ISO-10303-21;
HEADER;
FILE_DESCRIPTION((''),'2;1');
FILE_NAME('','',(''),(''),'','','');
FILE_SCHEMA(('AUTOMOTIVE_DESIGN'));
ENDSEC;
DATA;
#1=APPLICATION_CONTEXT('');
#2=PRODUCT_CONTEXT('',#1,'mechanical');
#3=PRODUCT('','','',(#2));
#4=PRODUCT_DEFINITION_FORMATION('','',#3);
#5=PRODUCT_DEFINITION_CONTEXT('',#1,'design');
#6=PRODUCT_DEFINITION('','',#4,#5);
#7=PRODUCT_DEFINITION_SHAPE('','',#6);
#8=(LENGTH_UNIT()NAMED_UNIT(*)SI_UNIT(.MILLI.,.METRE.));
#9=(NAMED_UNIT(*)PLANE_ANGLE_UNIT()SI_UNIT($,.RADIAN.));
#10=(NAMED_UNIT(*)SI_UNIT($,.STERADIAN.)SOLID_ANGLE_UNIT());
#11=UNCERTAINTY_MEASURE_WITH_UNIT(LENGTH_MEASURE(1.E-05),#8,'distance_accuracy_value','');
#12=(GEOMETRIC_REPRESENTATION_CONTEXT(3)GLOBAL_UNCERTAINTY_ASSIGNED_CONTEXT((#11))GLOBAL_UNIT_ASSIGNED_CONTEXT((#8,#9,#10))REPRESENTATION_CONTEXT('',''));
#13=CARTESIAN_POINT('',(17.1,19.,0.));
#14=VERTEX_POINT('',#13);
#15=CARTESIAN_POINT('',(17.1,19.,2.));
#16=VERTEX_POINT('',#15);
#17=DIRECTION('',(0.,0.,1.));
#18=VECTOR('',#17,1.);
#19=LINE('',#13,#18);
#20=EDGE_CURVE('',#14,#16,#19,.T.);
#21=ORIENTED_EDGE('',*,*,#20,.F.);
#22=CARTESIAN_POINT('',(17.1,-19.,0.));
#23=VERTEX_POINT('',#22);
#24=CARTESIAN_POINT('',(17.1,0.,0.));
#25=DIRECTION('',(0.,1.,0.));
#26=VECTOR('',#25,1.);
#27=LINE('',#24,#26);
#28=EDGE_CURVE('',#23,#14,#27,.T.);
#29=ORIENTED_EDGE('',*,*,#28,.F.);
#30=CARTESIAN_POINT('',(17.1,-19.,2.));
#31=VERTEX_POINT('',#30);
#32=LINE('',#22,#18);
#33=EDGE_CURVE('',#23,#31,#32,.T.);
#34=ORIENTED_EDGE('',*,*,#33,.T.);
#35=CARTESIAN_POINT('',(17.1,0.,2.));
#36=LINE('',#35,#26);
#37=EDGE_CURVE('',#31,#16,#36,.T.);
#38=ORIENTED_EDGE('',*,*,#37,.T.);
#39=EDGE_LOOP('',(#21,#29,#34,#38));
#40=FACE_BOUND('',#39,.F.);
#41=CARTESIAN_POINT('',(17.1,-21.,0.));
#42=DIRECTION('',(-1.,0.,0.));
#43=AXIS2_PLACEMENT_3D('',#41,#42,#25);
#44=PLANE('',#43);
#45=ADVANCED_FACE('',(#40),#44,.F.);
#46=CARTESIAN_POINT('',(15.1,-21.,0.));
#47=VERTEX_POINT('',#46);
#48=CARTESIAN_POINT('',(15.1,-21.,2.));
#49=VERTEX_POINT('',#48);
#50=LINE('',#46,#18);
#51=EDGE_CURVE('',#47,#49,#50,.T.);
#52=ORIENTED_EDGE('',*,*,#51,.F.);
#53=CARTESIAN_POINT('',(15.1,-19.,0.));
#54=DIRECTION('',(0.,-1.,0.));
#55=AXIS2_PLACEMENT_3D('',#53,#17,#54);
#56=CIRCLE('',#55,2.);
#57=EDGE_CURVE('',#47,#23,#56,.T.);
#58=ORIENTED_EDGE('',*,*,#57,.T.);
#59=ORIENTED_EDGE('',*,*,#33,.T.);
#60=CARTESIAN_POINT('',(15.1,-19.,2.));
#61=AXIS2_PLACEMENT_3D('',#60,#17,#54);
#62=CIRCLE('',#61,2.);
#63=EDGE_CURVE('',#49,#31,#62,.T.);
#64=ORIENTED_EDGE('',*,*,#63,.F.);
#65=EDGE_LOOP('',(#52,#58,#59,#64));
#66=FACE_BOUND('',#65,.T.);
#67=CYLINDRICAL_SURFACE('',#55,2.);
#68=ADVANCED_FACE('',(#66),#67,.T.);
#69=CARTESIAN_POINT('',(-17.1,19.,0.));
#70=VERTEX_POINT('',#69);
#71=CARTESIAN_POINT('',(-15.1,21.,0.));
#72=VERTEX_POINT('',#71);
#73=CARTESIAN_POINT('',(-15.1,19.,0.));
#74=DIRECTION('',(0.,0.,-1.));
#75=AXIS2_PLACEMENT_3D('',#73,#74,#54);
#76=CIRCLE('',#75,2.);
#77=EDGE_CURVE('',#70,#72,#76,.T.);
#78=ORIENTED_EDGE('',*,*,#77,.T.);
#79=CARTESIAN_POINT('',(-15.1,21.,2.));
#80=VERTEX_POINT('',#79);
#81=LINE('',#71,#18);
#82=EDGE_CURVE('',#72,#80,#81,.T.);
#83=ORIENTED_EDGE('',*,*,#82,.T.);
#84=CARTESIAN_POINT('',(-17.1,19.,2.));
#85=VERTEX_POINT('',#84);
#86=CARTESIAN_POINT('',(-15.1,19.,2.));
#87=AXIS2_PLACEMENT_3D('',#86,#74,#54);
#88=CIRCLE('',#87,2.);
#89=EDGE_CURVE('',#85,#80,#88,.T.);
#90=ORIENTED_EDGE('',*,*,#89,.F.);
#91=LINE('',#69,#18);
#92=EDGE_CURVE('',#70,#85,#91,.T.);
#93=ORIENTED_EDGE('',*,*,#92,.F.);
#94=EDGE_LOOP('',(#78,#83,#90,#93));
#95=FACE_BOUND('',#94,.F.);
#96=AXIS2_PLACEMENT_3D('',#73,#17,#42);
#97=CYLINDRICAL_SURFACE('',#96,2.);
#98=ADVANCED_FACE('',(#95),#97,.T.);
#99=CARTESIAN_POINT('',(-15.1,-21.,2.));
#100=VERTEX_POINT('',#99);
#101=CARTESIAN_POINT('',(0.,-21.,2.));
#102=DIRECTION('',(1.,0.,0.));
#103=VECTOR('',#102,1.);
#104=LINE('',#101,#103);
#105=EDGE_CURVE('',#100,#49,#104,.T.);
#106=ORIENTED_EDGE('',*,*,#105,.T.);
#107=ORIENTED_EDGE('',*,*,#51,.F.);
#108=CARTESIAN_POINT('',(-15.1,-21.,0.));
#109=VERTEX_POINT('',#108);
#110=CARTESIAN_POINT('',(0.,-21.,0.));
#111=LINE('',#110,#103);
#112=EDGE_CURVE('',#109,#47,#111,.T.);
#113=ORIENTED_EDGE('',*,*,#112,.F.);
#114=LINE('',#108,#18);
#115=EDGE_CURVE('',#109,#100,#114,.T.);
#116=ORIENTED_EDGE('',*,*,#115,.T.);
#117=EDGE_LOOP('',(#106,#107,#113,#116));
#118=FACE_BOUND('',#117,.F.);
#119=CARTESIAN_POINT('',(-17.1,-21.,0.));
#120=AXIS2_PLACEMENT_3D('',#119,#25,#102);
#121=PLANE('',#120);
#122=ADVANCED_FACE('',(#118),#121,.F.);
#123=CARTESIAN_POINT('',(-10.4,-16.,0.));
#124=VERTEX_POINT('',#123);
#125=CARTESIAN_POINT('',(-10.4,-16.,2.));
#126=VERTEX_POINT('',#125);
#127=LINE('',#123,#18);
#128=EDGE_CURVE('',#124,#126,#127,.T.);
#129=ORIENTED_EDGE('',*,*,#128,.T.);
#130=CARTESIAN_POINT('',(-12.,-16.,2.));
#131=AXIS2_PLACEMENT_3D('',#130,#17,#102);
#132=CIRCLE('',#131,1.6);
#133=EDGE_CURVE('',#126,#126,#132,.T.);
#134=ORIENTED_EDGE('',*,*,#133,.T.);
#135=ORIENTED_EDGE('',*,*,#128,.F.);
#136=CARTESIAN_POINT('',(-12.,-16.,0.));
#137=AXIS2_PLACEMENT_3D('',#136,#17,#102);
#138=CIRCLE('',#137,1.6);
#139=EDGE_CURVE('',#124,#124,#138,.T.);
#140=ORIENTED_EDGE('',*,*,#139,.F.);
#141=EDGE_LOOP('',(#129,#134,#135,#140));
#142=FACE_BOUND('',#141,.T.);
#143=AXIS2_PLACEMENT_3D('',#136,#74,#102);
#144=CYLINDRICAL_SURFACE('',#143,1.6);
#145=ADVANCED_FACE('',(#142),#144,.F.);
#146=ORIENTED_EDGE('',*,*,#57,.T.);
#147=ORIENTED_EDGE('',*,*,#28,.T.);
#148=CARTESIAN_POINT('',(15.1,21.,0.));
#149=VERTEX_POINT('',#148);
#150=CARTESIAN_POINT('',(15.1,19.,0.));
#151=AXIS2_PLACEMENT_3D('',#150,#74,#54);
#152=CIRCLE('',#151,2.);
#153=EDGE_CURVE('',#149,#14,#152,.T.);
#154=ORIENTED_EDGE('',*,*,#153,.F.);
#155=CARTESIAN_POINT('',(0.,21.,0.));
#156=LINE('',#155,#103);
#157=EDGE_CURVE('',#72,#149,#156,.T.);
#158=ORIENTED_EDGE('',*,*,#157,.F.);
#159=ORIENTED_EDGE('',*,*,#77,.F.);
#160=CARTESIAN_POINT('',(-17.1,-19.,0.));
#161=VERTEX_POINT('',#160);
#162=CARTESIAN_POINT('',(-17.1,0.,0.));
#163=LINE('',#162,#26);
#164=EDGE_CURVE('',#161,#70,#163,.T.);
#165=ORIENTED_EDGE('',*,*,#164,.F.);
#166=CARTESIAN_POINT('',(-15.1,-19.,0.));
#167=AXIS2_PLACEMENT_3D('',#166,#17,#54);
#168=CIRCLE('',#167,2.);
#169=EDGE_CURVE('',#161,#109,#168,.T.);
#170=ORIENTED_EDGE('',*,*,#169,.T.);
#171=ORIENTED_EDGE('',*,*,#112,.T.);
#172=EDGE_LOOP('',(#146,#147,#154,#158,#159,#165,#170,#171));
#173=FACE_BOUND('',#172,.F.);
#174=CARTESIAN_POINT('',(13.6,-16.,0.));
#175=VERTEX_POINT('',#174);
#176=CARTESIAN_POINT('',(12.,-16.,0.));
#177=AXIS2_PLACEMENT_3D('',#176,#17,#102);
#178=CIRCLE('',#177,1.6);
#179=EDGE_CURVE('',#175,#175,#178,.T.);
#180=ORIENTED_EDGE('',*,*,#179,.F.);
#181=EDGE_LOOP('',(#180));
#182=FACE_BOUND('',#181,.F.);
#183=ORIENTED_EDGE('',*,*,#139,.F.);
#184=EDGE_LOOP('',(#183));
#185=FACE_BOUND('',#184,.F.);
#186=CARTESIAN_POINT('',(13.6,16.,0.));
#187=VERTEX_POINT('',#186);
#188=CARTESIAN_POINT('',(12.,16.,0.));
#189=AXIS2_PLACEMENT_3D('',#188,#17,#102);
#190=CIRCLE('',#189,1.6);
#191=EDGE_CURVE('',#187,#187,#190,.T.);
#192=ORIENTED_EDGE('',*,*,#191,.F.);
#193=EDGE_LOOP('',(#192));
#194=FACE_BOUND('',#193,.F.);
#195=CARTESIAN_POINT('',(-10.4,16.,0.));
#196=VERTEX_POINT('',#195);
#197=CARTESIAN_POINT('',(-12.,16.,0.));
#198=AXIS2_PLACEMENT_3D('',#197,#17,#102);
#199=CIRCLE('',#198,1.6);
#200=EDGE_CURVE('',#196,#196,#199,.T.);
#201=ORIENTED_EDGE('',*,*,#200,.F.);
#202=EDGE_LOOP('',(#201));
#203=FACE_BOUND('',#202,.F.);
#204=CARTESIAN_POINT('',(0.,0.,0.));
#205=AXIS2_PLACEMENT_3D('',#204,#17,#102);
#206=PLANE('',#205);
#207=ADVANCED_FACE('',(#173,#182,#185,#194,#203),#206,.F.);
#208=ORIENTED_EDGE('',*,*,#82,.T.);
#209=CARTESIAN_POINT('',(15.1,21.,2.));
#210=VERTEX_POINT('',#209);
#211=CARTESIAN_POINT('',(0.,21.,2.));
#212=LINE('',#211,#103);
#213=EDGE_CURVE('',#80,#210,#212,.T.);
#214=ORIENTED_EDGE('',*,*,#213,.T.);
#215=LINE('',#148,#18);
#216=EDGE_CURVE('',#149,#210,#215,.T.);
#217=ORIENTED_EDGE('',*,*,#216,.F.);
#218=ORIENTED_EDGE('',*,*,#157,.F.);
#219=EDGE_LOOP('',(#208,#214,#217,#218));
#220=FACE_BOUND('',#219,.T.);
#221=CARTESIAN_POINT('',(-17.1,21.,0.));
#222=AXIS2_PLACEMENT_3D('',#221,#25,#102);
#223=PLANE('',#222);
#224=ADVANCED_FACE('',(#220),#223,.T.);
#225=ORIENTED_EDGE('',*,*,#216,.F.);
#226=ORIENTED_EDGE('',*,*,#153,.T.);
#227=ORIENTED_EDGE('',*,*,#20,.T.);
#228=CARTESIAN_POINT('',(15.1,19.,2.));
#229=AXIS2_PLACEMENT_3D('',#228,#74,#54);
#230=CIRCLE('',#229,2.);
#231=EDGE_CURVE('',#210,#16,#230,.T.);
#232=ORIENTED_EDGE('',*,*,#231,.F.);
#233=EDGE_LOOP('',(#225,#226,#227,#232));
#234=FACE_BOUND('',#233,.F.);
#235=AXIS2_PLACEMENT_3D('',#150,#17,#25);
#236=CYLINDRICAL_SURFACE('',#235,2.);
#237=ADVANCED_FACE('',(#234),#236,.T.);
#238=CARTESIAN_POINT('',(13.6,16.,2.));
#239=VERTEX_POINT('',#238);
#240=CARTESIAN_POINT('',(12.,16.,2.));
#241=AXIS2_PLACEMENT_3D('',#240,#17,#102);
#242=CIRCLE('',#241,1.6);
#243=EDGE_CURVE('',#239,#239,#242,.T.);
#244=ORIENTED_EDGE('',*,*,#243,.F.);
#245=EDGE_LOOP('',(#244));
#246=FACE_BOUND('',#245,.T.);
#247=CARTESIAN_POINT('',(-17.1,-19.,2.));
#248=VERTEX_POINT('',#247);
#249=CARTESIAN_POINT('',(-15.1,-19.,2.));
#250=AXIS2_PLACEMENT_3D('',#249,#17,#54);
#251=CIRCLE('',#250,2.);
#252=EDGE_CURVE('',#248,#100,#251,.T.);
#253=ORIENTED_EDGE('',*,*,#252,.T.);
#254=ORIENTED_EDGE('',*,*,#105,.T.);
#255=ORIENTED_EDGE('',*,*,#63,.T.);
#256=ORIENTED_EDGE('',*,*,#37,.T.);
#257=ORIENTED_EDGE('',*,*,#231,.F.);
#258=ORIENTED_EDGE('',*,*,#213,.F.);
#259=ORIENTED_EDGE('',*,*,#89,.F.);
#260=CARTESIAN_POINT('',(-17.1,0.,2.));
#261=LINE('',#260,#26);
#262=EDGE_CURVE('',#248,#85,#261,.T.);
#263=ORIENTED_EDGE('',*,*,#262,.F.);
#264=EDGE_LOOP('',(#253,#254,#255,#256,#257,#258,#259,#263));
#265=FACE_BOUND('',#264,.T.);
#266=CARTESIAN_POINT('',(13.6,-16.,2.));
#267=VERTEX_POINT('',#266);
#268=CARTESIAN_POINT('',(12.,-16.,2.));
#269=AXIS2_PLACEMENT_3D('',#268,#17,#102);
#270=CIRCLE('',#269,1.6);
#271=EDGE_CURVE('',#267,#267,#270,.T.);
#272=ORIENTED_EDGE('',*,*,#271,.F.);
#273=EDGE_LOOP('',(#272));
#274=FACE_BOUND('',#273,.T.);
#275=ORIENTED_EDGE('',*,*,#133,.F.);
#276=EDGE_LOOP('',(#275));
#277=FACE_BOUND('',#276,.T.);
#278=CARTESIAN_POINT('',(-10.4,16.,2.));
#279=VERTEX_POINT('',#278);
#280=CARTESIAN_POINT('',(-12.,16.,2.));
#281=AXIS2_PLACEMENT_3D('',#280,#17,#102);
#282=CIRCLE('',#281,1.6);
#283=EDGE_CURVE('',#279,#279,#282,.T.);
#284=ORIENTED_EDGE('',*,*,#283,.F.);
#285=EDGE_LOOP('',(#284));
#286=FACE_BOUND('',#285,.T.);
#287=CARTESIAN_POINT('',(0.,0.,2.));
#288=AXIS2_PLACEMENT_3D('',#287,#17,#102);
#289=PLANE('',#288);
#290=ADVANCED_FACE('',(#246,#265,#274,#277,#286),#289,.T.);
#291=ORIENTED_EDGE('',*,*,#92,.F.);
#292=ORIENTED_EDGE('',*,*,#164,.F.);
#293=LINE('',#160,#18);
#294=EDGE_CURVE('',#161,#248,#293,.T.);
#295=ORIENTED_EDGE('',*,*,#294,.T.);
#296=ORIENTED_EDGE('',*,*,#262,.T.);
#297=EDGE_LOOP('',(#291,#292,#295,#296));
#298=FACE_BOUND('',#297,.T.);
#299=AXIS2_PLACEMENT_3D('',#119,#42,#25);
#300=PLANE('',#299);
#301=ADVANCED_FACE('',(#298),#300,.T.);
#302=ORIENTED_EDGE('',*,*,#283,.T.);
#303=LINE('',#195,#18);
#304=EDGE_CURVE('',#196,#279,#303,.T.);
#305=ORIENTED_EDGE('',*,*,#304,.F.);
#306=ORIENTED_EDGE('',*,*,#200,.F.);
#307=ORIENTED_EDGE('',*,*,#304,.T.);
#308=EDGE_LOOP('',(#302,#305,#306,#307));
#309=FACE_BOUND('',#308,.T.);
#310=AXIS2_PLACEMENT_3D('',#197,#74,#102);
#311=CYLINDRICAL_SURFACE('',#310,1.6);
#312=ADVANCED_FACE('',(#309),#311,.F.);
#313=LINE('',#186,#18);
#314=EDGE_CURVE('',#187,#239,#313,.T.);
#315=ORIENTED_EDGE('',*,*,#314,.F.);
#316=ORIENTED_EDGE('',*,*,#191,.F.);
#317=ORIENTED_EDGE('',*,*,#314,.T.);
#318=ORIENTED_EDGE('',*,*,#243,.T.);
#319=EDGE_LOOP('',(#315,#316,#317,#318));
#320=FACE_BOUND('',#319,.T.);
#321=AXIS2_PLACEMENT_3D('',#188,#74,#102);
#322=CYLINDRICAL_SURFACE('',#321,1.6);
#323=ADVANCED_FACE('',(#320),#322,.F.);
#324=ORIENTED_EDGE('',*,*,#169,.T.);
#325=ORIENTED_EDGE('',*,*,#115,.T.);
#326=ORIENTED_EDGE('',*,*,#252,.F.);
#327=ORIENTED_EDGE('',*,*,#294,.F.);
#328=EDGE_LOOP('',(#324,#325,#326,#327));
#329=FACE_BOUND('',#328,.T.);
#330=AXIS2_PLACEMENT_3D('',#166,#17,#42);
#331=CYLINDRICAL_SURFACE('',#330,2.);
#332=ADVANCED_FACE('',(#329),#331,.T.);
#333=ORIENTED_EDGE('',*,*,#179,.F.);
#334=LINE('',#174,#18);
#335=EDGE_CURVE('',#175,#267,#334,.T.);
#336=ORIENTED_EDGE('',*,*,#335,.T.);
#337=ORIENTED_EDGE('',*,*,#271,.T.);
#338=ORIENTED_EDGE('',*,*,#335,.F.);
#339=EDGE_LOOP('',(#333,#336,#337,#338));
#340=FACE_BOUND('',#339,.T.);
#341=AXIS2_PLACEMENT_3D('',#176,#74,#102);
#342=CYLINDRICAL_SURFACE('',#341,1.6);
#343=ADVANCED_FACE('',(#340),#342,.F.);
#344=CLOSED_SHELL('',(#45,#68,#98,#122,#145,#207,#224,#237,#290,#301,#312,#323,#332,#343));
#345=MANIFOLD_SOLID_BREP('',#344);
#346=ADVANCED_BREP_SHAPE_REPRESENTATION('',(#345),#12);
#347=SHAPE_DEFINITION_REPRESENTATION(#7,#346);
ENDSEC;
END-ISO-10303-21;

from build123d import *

# Parameters (mm, degrees)
F0_W     = 34.2
F0_H     = 42
F0_R     = 1.6
F1_DEPTH = 2
F2_R     = 2


with BuildPart() as f1:
    # F0 (on Top) → F1 (new body)
    with BuildSketch(Plane.XY):
        Rectangle(F0_W, F0_H)
        with Locations((-12, -16)):
            Circle(F0_R, mode=Mode.SUBTRACT)
        with Locations((12, -16)):
            Circle(F0_R, mode=Mode.SUBTRACT)
        with Locations((-12, 16)):
            Circle(F0_R, mode=Mode.SUBTRACT)
        with Locations((12, 16)):
            Circle(F0_R, mode=Mode.SUBTRACT)
    extrude(amount=F1_DEPTH)

    # F2
    f2_edges = [f1.edges().sort_by_distance(p)[0] for p in [
        (-17.1, 21, 1),
        (-17.1, -21, 1),
        (17.1, -21, 1),
        (17.1, 21, 1),
    ]]
    fillet(f2_edges, radius=F2_R)


solid = f1.part
